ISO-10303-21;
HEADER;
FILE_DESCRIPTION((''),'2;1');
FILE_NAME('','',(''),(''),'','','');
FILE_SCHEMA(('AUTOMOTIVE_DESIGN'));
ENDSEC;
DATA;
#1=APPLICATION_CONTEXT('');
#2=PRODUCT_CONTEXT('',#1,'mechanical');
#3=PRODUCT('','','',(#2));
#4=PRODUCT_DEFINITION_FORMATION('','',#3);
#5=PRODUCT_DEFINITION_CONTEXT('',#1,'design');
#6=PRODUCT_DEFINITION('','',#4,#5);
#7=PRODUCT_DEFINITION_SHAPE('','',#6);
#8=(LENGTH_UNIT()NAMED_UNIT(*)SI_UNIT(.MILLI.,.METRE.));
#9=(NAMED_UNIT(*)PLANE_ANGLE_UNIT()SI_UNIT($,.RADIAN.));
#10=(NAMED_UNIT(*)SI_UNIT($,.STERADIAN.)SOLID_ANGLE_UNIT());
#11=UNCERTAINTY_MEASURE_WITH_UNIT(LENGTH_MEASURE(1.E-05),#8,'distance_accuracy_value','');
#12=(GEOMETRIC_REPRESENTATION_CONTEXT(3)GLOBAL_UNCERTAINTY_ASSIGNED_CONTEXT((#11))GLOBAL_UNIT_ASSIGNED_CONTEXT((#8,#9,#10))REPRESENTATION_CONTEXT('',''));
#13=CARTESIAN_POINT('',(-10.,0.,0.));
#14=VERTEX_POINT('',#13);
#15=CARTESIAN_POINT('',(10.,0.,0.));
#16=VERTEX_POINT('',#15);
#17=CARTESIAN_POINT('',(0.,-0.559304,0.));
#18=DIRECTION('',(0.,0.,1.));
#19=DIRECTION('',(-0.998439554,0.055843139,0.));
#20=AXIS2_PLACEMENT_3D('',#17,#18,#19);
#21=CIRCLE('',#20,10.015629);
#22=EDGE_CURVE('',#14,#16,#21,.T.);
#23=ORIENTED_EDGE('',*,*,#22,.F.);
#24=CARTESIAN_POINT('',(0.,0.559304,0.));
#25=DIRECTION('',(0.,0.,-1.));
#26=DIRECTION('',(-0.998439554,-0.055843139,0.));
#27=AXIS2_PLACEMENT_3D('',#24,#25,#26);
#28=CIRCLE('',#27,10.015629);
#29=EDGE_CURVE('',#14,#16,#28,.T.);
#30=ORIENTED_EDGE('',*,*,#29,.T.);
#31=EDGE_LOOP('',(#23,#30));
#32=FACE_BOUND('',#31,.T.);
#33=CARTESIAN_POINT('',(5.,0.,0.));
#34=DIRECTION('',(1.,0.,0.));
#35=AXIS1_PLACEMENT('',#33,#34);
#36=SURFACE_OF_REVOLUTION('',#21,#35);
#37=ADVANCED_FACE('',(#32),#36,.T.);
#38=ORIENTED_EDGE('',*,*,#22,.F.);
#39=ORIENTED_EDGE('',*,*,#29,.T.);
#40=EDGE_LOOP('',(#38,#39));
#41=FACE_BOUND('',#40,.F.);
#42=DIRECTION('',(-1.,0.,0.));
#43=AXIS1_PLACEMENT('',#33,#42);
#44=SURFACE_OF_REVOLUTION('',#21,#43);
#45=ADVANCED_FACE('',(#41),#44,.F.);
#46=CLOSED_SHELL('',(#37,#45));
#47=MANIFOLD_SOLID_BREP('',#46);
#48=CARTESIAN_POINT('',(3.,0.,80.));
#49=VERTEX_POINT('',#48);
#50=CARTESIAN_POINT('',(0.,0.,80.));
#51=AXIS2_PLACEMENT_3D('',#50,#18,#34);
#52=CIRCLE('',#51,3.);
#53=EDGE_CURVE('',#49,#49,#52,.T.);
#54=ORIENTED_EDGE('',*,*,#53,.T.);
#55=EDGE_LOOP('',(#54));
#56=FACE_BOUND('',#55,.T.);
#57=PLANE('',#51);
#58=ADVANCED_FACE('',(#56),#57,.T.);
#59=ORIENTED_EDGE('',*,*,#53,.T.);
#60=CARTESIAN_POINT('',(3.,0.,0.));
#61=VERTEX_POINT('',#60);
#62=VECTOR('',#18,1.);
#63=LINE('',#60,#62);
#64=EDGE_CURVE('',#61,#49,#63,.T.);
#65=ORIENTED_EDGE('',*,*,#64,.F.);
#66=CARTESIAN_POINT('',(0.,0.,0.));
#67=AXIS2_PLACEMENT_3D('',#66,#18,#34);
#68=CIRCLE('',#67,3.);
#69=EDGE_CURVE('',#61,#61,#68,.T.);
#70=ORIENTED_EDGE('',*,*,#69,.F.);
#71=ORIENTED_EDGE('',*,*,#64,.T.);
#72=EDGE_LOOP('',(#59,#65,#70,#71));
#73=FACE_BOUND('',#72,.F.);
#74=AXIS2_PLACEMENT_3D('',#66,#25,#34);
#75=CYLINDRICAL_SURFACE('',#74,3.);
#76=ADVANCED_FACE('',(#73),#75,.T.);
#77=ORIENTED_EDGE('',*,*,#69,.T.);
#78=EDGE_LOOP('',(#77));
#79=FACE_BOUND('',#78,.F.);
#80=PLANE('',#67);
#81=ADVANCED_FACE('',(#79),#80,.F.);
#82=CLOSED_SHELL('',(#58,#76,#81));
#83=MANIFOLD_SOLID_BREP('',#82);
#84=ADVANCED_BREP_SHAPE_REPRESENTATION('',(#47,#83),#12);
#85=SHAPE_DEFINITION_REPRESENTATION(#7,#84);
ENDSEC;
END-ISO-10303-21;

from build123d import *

# Parameters (mm, degrees)
F0_R     = 3
F1_DEPTH = 80
F3_ANGLE = 360


with BuildPart() as f1:
    # F0 (on Top) → F1 (new body)
    with BuildSketch(Plane.XY):
        Circle(F0_R)
    extrude(amount=F1_DEPTH)


with BuildPart() as f3:
    # F2 (on Top) → F3 (revolve, symmetric)
    with BuildSketch(Plane.XY) as f3_sk:
        with BuildLine():
            Line((10, 0), (0, 0))
            Line((0, 0), (-10, 0))
            ThreePointArc((-10, 0), (0, -10.574933), (10, 0))
        make_face()
    revolve(axis=Axis((5, 0, 0), (1, 0, 0)), revolution_arc=F3_ANGLE / 2)
    revolve(f3_sk.sketch, axis=Axis((5, 0, 0), (-1, 0, 0)), revolution_arc=F3_ANGLE / 2)


solid = Compound([f1.part, f3.part])
